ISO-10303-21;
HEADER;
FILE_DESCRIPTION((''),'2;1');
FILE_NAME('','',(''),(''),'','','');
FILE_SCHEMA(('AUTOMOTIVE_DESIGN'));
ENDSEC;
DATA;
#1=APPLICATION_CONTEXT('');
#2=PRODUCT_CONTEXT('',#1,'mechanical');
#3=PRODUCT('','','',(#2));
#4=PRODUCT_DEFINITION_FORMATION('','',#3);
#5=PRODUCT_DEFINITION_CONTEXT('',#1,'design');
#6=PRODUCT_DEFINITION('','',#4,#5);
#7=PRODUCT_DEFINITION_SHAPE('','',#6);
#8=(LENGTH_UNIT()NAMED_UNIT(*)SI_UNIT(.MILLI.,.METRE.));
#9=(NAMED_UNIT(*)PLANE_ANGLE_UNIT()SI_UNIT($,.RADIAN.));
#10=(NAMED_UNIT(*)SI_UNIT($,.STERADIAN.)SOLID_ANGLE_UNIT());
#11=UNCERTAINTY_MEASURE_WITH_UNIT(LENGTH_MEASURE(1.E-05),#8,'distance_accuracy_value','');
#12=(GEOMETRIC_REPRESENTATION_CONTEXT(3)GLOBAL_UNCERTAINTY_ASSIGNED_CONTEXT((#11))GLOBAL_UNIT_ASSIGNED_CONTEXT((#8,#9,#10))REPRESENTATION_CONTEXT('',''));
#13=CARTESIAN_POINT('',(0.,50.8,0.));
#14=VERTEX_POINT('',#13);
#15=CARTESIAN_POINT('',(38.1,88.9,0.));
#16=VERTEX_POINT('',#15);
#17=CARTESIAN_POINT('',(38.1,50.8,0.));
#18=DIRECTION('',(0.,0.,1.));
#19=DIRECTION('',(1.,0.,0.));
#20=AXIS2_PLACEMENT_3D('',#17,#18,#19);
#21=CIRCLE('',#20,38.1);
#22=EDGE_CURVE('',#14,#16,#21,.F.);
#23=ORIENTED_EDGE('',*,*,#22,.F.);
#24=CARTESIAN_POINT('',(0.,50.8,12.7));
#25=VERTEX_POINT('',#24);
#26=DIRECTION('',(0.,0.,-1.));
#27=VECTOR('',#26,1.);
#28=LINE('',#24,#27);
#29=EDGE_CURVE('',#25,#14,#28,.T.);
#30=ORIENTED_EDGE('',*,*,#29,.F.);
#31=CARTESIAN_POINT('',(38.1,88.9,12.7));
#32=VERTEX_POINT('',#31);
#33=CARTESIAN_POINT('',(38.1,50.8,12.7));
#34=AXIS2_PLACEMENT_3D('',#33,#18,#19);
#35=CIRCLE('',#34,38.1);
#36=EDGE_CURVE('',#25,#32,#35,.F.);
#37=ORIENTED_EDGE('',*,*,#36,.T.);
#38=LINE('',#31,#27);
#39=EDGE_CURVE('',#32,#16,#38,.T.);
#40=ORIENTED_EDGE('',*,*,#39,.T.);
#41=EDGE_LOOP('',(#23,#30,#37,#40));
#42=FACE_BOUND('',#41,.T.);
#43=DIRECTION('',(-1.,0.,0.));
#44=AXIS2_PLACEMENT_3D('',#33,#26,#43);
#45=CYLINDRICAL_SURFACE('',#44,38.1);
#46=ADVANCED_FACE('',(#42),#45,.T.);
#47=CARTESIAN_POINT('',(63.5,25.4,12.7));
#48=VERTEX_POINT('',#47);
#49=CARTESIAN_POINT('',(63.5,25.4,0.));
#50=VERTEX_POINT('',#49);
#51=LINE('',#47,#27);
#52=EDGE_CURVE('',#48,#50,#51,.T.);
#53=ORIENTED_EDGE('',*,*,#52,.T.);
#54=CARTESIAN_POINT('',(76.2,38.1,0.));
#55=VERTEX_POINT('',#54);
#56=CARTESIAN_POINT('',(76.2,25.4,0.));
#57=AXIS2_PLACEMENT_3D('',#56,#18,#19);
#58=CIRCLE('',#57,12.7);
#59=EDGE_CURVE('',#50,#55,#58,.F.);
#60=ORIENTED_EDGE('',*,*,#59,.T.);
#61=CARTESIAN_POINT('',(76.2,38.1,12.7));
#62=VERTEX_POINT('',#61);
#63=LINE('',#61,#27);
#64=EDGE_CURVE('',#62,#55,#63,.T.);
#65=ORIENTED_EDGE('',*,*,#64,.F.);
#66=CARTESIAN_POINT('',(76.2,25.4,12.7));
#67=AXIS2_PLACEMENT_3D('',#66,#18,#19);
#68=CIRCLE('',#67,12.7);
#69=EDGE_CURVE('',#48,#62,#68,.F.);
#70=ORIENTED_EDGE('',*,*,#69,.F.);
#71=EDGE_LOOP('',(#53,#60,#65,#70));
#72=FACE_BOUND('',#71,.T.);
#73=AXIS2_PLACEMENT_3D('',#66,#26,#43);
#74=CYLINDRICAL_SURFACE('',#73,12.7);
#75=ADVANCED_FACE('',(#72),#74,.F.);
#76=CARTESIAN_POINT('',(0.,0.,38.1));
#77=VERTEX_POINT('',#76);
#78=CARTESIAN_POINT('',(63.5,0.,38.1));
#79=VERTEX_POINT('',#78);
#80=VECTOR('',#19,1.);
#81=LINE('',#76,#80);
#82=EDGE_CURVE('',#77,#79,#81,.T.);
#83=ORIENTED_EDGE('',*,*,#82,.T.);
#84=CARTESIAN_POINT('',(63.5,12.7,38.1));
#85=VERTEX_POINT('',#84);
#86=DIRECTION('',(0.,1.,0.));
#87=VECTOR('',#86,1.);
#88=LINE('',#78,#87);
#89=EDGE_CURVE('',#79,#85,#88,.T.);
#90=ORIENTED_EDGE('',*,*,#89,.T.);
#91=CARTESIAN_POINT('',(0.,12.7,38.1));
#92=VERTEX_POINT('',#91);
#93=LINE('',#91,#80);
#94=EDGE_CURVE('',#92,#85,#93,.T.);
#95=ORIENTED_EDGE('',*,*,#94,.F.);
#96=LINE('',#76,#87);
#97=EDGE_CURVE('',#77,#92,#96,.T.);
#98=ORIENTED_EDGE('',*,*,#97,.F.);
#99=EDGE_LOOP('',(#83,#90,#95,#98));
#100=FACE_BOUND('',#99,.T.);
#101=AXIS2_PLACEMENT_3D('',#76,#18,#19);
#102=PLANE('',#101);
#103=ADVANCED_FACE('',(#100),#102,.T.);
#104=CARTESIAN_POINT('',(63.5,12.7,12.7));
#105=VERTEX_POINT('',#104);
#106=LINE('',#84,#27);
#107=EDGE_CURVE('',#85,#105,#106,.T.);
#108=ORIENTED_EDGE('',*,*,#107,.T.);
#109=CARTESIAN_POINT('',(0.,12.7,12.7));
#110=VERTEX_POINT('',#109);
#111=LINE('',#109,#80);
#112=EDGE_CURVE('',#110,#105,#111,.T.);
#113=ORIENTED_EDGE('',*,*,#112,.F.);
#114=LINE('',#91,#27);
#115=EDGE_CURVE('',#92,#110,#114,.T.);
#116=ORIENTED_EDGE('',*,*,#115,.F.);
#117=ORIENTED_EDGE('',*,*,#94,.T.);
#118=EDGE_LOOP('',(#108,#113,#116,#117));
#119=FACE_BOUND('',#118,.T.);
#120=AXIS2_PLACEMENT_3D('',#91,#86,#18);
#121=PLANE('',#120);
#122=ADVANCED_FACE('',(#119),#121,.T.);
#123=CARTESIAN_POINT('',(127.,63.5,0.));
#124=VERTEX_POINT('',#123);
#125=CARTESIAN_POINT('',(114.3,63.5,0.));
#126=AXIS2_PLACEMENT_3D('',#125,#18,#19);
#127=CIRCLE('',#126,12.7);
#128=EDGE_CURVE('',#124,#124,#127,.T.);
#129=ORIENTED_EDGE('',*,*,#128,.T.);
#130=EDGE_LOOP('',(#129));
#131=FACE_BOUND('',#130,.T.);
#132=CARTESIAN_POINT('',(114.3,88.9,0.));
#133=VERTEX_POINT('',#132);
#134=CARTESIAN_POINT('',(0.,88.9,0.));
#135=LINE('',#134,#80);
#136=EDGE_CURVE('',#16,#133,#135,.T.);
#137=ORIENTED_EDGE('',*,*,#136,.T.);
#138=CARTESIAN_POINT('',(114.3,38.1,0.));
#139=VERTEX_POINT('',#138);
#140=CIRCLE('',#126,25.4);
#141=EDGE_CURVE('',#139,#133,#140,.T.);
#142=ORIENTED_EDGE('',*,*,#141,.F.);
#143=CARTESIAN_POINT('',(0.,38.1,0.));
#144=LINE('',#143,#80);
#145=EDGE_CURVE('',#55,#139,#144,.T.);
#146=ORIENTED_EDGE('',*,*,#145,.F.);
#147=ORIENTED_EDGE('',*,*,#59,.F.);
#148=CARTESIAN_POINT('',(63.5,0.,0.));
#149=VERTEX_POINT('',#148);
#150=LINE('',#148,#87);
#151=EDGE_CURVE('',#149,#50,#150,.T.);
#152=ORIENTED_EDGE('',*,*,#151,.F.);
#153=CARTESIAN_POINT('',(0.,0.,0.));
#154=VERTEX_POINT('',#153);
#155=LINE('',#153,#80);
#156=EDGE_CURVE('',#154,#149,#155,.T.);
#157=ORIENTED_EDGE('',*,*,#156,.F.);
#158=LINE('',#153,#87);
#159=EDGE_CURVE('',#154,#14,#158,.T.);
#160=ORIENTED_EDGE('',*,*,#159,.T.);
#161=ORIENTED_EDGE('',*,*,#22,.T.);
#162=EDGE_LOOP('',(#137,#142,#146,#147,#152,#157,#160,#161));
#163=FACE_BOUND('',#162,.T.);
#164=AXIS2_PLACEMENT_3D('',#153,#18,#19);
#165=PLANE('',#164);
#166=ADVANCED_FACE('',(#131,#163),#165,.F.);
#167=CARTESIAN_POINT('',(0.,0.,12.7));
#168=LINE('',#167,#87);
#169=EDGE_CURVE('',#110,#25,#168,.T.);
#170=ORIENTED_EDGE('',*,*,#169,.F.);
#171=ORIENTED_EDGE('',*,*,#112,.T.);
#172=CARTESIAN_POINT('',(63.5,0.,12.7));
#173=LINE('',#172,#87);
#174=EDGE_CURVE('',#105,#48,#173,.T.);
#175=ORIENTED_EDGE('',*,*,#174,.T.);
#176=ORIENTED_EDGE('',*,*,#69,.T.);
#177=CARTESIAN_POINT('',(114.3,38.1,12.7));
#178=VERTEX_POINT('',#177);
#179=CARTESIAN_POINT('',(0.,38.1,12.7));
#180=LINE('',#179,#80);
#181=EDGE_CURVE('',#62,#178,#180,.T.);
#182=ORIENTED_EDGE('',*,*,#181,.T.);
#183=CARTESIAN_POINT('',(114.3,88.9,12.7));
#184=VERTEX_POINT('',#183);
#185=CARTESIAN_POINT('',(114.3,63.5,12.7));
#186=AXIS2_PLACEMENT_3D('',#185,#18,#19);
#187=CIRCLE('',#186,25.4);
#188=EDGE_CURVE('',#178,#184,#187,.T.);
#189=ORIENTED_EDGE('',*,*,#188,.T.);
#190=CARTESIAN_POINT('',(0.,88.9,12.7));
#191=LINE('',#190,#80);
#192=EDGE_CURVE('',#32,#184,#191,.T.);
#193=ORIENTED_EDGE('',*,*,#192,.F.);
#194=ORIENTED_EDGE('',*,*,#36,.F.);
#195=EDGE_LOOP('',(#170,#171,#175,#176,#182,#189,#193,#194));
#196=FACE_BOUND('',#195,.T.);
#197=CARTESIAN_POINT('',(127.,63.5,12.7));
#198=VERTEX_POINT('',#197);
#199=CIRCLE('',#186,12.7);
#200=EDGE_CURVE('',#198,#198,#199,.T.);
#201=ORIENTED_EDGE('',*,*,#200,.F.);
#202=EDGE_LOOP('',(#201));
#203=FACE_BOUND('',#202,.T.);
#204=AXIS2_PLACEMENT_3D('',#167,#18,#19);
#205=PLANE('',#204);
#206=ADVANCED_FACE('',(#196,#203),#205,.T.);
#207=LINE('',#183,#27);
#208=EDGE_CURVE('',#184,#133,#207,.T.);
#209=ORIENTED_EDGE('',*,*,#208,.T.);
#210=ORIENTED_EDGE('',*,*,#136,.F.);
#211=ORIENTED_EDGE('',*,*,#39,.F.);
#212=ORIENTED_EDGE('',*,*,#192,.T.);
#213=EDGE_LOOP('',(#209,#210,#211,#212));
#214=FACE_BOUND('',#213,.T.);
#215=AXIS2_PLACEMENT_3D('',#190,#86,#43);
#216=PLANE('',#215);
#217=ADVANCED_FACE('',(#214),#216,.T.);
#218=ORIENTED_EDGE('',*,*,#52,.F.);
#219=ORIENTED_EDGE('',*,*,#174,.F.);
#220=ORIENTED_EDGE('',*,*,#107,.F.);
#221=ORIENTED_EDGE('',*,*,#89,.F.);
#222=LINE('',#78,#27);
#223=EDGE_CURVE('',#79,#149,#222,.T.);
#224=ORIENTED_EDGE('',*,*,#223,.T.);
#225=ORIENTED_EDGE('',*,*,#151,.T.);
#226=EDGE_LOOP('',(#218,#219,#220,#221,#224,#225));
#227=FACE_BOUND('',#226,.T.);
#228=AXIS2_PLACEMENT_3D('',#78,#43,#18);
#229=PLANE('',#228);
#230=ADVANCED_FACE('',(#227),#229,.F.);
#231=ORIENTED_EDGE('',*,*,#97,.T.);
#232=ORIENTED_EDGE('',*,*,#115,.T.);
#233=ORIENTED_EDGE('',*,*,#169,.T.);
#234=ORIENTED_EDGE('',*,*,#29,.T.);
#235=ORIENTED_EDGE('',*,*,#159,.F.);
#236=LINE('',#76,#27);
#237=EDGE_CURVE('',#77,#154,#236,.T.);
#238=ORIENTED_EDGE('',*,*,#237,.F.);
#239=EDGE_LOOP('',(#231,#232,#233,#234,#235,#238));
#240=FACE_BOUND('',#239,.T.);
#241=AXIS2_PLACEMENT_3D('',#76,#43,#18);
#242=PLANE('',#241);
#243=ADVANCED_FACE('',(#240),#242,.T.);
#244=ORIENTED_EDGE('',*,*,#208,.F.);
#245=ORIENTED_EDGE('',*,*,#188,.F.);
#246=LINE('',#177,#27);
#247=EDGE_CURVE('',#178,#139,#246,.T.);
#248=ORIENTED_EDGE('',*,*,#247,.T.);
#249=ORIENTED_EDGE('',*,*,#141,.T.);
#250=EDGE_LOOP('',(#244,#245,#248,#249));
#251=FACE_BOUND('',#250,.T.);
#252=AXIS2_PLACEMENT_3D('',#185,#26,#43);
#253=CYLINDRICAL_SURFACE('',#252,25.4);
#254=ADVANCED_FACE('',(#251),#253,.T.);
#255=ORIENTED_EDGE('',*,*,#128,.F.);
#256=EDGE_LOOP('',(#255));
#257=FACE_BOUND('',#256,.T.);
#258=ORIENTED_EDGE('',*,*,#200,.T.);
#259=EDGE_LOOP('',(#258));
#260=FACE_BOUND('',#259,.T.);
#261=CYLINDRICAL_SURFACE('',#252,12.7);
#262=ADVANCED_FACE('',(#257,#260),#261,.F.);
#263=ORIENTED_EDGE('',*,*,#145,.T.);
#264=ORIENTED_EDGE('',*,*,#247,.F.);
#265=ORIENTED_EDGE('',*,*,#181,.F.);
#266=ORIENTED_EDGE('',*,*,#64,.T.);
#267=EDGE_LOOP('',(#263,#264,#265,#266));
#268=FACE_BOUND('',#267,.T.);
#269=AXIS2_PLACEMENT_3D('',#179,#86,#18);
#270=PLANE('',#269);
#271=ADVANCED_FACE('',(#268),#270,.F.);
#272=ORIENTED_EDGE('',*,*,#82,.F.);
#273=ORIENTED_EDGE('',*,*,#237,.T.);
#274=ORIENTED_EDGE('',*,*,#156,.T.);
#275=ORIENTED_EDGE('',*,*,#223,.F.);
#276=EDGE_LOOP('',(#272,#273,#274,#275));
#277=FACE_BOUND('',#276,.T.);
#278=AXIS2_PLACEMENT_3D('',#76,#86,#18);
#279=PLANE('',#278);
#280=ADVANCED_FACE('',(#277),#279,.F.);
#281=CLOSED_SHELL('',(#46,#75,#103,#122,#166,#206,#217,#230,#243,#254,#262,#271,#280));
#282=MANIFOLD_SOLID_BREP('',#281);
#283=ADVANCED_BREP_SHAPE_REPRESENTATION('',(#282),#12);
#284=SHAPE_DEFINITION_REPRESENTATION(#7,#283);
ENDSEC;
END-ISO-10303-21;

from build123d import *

# Parameters (mm, degrees)
SKETCH1_W           = 63.5
SKETCH1_H           = 12.7
BOSS_EXTRUDE1_DEPTH = 38.1
SKETCH1_4_R         = 12.7
BOSS_EXTRUDE2_DEPTH = 12.7


with BuildPart() as part:
    # Sketch1 → Boss-Extrude1 (new body)
    with BuildSketch(Plane.XY):
        with Locations((31.75, 6.35)):
            Rectangle(SKETCH1_W, SKETCH1_H)
    extrude(amount=BOSS_EXTRUDE1_DEPTH)

    # Sketch1<4> → Boss-Extrude2 (add)
    with BuildSketch(Plane.XY):
        with BuildLine():
            Line((0, 50.8), (0, 12.7))
            Line((0, 12.7), (63.5, 12.7))
            Line((63.5, 12.7), (63.5, 25.4))
            ThreePointArc((63.5, 25.4), (67.219743879, 34.380256121), (76.2, 38.1))
            Line((76.2, 38.1), (114.3, 38.1))
            ThreePointArc((114.3, 38.1), (139.7, 63.5), (114.3, 88.9))
            Line((114.3, 88.9), (38.1, 88.9))
            ThreePointArc((38.1, 88.9), (11.159231637, 77.740768363), (0, 50.8))
        make_face()
        with Locations((114.3, 63.5)):
            Circle(SKETCH1_4_R, mode=Mode.SUBTRACT)
    extrude(amount=BOSS_EXTRUDE2_DEPTH)


solid = part.part
